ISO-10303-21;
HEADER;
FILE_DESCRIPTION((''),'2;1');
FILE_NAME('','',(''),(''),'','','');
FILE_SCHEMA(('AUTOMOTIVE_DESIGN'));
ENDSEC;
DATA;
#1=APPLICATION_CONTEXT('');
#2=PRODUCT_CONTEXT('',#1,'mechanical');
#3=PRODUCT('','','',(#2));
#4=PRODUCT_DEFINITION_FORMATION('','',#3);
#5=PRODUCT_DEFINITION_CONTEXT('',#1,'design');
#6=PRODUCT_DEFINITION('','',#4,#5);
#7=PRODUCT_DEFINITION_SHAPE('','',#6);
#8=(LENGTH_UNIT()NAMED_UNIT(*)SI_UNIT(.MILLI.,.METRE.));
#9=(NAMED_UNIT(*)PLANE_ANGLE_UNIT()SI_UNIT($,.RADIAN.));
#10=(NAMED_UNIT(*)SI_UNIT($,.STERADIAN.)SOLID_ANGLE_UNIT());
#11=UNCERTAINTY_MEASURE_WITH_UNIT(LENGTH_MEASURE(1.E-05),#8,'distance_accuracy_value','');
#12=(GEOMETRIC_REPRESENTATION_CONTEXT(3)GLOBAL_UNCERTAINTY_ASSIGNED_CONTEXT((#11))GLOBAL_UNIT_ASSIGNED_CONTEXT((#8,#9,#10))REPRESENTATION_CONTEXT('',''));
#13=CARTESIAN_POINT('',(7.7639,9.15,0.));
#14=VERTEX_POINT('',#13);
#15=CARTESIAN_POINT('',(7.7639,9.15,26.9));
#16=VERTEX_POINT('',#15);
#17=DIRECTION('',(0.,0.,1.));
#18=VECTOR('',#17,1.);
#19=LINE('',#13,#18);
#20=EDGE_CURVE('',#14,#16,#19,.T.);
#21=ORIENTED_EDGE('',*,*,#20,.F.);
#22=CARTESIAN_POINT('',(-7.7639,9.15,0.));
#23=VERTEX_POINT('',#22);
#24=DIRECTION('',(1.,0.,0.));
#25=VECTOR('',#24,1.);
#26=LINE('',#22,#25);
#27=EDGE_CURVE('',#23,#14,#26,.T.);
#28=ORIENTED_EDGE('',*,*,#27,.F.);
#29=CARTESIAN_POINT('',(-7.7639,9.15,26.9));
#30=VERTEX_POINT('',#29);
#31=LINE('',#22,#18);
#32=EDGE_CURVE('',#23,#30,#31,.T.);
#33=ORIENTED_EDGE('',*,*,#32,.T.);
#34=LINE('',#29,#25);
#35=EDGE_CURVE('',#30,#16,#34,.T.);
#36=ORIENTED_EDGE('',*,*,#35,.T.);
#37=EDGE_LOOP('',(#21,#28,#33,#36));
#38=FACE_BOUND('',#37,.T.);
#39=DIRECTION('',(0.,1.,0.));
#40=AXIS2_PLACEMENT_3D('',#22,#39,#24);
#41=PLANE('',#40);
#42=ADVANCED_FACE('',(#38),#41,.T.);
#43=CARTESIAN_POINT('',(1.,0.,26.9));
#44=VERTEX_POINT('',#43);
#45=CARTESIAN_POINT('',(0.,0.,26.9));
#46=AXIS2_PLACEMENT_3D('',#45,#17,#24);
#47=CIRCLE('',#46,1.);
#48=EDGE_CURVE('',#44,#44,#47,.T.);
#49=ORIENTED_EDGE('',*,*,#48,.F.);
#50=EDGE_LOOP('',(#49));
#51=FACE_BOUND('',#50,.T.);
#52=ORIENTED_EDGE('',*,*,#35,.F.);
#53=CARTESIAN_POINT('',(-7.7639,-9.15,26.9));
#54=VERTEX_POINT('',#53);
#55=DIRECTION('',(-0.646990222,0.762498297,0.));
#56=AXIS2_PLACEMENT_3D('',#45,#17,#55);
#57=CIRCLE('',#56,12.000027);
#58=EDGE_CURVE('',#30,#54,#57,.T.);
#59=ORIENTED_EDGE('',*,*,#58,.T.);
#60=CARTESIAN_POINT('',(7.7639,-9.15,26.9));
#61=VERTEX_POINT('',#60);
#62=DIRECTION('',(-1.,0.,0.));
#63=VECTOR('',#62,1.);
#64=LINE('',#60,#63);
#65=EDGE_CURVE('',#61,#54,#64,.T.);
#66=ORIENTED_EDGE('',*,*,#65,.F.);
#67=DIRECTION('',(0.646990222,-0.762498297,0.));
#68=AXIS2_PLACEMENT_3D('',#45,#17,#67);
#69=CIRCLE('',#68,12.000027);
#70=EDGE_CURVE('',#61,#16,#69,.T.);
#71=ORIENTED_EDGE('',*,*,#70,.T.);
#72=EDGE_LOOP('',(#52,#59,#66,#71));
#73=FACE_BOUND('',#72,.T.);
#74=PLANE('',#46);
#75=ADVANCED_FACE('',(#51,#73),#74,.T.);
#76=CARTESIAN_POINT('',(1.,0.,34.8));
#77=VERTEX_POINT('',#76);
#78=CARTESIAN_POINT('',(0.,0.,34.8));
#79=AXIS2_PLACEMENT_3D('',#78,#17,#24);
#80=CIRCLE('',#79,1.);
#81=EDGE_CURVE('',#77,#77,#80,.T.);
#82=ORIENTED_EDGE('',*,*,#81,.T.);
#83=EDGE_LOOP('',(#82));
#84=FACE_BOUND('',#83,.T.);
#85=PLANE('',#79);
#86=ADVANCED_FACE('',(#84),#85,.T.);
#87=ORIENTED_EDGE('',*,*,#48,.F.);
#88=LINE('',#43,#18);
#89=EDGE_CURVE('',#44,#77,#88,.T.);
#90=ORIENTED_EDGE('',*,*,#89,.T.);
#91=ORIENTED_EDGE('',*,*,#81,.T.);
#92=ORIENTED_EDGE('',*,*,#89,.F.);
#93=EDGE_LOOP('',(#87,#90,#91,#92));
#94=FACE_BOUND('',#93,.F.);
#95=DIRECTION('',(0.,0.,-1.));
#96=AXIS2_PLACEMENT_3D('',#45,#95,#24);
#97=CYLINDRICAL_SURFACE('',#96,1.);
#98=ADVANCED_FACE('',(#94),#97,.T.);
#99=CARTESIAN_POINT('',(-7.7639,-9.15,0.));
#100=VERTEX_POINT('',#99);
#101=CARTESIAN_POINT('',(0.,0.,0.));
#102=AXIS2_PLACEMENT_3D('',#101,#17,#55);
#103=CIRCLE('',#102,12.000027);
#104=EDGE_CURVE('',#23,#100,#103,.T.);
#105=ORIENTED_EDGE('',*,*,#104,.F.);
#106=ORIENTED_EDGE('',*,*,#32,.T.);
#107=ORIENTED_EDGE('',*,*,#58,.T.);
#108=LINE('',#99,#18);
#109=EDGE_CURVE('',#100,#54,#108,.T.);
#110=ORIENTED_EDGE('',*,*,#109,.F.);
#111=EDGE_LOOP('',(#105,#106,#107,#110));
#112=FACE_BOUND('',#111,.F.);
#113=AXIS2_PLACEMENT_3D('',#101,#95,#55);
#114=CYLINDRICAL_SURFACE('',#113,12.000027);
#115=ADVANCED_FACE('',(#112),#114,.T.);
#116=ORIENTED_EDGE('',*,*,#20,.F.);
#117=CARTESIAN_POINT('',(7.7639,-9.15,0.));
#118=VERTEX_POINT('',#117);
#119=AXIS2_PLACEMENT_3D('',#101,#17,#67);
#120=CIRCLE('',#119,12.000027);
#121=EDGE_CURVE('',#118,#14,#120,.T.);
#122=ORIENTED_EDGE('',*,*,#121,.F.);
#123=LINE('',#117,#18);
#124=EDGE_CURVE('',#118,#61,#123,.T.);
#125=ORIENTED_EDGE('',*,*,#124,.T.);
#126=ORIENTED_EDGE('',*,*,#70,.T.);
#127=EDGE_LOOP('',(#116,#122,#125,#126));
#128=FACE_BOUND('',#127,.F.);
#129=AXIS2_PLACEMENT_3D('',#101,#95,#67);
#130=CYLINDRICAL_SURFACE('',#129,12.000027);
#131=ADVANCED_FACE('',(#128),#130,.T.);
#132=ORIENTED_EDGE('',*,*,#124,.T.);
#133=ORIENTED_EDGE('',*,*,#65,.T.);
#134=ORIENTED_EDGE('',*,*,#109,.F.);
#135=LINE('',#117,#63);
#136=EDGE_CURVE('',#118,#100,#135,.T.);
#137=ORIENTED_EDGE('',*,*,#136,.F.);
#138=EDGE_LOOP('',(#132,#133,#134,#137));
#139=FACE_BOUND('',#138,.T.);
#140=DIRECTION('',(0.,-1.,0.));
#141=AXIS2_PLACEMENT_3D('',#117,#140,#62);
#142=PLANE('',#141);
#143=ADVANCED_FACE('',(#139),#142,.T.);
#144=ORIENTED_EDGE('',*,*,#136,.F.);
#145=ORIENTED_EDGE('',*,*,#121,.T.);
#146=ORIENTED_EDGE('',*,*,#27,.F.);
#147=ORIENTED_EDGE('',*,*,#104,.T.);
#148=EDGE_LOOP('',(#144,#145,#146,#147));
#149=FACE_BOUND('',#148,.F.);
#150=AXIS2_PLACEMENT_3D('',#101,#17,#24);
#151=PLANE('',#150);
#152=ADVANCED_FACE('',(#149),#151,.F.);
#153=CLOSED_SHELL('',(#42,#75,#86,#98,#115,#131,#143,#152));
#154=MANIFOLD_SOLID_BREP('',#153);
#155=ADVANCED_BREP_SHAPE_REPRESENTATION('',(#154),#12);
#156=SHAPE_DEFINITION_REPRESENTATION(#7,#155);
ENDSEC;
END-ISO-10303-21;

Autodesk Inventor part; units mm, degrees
ref_plane "YZ Plane" through (0, 0, 0) normal (1, 0, 0) x (0, 1, 0)
ref_plane "XZ Plane" through (0, 0, 0) normal (0, 1, 0) x (-1, 0, 0)
ref_plane "XY Plane" through (0, 0, 0) normal (0, 0, 1) x (1, 0, 0)
sketch "Sketch1" plane through (0, 0, 0) normal (0, 0, 1) x (1, 0, 0)
  line L0 (7.7639, -9.15) -> (-7.7639, -9.15)
  line L1 (-7.7639, -9.15) -> (-7.7639, 9.15) construction
  line L2 (-7.7639, 9.15) -> (7.7639, 9.15)
  line L3 (7.7639, -9.15) -> (-7.7639, 9.15) construction
  line L4 (-7.7639, -9.15) -> (7.7639, 9.15) construction
  arc A0 (-7.7639, 9.15) -> (-7.7639, -9.15) centre (0, 0) ccw
  arc A1 (7.7639, -9.15) -> (7.7639, 9.15) centre (0, 0) ccw
  dimension "d8" = 18.3
extrude "Extrusion1" add sketch "Sketch1" along normal blind 26.9
sketch "Sketch2" plane through (0, 0, 26.9) normal (0, 0, 1) x (1, 0, 0)
  circle A0 centre (0, 0) radius 1
  dimension "d4" = 2
extrude "Extrusion2" add sketch "Sketch2" along normal blind 7.9
properties part number "dc_motor"
